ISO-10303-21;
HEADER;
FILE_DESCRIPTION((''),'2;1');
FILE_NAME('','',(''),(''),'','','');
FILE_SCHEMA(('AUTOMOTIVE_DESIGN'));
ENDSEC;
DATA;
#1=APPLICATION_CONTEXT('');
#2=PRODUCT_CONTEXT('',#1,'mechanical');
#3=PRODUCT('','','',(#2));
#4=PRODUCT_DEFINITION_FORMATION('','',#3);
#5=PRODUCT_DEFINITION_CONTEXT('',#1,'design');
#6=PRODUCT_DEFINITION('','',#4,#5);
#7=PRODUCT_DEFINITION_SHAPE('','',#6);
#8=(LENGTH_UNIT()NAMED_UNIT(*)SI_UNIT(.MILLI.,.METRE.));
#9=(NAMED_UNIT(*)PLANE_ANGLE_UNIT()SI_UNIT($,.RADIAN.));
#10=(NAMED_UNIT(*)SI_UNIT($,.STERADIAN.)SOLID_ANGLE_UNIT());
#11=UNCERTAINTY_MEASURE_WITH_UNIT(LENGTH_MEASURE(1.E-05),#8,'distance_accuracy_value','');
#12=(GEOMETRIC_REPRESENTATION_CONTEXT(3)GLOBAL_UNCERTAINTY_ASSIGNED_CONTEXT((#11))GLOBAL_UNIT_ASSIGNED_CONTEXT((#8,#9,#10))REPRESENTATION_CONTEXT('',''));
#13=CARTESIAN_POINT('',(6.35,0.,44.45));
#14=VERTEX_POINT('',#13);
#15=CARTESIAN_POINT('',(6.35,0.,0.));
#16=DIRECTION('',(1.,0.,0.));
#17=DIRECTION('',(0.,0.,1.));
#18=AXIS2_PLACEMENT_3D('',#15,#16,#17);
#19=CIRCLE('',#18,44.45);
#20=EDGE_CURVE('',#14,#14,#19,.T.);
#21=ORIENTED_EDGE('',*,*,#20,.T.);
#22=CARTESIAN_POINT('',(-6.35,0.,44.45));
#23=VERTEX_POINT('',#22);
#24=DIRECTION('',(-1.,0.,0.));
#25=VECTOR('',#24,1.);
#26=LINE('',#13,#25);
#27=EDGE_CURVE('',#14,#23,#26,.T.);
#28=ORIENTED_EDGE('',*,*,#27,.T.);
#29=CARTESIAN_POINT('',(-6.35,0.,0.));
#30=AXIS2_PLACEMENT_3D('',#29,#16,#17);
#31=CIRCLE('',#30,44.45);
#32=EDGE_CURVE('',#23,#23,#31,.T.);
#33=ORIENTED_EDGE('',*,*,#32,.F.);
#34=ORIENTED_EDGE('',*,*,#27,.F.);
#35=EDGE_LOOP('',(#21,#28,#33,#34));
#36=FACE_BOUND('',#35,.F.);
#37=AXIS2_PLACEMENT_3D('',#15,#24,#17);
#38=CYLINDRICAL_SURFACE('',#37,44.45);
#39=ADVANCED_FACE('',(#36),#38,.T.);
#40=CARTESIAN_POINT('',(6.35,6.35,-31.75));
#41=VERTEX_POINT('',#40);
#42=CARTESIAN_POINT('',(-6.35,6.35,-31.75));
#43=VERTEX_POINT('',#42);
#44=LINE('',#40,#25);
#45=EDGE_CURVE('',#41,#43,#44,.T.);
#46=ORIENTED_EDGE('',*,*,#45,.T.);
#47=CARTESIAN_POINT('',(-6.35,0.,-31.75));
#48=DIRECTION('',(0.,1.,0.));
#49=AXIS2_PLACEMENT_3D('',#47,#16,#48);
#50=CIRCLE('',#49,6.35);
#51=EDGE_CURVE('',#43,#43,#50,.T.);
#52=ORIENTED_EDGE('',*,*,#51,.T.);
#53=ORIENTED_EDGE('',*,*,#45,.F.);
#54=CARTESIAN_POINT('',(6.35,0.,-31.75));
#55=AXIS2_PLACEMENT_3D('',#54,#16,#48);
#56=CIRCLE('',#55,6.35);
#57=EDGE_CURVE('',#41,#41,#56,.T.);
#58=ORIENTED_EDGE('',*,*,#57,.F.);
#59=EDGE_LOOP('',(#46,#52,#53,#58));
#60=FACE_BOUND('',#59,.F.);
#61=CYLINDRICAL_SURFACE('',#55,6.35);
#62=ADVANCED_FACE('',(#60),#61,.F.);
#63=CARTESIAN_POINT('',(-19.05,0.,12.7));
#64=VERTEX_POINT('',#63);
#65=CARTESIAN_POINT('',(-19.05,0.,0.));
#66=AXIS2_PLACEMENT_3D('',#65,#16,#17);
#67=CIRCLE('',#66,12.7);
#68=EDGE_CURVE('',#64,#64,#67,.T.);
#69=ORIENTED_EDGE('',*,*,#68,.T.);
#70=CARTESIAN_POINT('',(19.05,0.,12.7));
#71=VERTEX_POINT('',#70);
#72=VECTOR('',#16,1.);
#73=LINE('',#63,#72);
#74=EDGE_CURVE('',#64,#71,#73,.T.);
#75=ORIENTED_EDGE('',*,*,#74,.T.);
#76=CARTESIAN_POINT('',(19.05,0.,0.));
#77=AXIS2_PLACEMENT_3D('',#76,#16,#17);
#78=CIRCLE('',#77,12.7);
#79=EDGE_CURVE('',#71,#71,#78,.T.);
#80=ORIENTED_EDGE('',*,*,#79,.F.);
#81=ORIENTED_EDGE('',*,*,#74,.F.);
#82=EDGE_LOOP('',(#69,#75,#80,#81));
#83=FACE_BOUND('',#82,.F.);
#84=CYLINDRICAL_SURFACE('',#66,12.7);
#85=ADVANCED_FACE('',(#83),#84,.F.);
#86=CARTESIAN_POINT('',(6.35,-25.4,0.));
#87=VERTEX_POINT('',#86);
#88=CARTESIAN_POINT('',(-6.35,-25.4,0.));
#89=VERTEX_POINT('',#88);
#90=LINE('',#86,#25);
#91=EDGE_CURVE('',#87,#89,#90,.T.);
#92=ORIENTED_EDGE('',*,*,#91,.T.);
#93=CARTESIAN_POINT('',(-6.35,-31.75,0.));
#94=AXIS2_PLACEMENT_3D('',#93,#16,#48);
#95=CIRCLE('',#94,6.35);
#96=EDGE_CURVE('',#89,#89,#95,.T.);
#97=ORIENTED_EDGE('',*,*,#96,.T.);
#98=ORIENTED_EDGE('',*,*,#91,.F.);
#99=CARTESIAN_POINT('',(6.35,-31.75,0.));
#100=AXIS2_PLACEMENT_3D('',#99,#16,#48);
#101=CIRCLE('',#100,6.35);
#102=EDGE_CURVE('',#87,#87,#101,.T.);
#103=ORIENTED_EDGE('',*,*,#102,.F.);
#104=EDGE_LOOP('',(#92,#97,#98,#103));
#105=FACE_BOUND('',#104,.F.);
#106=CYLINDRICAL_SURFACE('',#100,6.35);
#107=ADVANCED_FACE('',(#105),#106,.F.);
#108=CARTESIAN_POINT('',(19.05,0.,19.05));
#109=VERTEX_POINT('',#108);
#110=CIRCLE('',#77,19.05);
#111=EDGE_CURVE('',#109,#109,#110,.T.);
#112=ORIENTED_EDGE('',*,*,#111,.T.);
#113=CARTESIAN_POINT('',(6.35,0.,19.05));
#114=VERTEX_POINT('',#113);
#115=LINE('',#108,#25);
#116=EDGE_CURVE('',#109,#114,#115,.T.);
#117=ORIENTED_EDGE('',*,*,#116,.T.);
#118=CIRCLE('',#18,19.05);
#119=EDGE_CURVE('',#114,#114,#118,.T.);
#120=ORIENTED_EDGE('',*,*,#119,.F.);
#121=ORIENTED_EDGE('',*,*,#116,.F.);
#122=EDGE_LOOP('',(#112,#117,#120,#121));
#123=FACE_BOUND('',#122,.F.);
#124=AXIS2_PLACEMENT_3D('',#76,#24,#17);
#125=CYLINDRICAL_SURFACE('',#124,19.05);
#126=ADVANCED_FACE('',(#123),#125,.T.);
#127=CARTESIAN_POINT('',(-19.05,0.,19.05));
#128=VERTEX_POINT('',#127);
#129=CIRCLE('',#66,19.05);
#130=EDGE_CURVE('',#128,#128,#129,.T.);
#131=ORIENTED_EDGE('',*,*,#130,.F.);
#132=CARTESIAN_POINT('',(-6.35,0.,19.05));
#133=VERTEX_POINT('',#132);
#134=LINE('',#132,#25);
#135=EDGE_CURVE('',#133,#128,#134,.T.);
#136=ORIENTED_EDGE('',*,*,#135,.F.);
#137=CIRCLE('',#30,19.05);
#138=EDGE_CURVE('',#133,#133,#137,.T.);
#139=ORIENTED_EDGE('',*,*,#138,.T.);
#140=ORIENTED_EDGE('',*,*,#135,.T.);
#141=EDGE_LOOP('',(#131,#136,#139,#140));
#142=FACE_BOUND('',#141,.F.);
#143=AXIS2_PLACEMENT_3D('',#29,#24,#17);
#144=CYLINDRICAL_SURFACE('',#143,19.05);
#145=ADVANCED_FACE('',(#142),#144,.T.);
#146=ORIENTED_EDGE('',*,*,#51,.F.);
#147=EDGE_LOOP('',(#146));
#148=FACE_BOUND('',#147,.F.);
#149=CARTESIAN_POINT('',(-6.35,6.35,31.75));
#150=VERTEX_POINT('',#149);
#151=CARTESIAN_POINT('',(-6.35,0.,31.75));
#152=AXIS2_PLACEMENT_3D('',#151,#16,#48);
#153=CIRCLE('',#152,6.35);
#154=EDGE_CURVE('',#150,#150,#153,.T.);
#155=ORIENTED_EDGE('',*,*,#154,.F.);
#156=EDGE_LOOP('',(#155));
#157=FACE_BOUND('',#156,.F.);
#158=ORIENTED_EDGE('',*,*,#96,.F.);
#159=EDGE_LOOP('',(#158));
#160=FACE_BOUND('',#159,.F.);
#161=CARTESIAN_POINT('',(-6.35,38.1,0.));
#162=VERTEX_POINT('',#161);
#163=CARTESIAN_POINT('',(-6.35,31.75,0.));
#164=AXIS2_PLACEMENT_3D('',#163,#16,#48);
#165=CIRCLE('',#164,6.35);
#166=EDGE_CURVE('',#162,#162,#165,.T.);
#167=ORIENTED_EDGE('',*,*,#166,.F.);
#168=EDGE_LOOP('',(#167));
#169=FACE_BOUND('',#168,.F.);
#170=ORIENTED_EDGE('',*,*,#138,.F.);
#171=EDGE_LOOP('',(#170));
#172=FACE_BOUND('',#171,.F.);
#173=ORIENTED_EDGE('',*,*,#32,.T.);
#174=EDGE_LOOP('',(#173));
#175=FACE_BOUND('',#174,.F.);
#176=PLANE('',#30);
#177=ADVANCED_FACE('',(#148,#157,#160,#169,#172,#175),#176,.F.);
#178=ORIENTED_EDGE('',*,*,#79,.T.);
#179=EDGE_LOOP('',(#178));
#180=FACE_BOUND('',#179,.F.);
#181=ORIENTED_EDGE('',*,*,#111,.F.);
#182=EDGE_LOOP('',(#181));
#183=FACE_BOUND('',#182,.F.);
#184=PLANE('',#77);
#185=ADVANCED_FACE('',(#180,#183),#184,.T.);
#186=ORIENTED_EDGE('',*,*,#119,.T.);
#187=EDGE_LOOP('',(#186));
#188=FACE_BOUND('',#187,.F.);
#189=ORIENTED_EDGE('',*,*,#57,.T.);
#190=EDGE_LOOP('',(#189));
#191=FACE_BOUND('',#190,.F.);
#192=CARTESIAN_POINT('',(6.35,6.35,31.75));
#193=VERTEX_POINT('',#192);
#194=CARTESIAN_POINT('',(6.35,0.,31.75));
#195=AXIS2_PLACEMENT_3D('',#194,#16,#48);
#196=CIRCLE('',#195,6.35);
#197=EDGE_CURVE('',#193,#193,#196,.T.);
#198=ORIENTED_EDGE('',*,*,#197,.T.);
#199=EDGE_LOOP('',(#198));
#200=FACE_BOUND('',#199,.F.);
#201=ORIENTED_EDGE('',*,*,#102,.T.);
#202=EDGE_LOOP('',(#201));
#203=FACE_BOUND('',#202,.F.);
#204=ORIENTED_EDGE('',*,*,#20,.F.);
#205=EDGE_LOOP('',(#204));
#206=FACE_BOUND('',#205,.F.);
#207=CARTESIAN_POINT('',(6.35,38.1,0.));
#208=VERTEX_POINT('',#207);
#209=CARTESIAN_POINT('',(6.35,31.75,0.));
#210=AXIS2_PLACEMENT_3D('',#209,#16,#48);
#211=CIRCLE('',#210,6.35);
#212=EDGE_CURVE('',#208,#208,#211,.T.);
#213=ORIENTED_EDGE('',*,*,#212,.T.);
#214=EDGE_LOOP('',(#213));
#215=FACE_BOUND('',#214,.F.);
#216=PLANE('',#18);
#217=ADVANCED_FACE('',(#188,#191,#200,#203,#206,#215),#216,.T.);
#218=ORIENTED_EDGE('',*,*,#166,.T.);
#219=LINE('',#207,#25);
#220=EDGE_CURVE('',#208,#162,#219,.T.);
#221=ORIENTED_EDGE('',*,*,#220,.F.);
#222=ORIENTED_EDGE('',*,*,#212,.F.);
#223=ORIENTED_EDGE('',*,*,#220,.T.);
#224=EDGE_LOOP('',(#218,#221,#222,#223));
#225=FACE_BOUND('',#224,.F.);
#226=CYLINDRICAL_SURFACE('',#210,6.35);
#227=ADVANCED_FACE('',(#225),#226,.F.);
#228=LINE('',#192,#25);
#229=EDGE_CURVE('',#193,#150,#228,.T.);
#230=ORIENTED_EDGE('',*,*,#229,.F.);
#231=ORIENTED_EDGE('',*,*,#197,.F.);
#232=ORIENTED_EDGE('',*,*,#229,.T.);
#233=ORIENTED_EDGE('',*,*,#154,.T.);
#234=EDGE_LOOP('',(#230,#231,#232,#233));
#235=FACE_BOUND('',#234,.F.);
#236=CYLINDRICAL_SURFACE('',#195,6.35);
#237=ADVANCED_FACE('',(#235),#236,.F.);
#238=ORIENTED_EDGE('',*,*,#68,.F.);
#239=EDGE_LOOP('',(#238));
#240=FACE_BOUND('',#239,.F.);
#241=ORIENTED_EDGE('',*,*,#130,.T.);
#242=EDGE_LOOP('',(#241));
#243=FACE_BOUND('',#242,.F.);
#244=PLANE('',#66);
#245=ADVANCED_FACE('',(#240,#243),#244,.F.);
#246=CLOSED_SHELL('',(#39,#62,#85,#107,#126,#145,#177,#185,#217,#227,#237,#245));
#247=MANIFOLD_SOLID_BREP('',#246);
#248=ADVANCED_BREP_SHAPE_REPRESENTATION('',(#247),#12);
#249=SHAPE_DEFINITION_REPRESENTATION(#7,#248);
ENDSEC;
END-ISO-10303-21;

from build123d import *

# Parameters (mm, degrees)
F2_R     = 6.35
F3_DEPTH = 25.401


with BuildPart() as f1:
    # F0 (on Front) → F1 (revolve)
    with BuildSketch(Plane.XZ):
        Polygon((-6.35, 19.05), (-19.05, 19.05), (-19.05, 12.7), (19.05, 12.7), (19.05, 19.05), (6.35, 19.05), (6.35, 44.45), (-6.35, 44.45), align=None)
    revolve(axis=Axis((-0.036185, 0, 0), (1, 0, 0)))

    # F2 (on face) → F3 (cut, through all)
    with BuildSketch(Plane.YZ.offset(6.35)):
        with Locations((0, -31.75)):
            Circle(F2_R)
        with Locations((31.75, 0)):
            Circle(F2_R)
        with Locations((0, 31.75)):
            Circle(F2_R)
        with Locations((-31.75, 0)):
            Circle(F2_R)
    extrude(amount=-F3_DEPTH, mode=Mode.SUBTRACT)


solid = f1.part
